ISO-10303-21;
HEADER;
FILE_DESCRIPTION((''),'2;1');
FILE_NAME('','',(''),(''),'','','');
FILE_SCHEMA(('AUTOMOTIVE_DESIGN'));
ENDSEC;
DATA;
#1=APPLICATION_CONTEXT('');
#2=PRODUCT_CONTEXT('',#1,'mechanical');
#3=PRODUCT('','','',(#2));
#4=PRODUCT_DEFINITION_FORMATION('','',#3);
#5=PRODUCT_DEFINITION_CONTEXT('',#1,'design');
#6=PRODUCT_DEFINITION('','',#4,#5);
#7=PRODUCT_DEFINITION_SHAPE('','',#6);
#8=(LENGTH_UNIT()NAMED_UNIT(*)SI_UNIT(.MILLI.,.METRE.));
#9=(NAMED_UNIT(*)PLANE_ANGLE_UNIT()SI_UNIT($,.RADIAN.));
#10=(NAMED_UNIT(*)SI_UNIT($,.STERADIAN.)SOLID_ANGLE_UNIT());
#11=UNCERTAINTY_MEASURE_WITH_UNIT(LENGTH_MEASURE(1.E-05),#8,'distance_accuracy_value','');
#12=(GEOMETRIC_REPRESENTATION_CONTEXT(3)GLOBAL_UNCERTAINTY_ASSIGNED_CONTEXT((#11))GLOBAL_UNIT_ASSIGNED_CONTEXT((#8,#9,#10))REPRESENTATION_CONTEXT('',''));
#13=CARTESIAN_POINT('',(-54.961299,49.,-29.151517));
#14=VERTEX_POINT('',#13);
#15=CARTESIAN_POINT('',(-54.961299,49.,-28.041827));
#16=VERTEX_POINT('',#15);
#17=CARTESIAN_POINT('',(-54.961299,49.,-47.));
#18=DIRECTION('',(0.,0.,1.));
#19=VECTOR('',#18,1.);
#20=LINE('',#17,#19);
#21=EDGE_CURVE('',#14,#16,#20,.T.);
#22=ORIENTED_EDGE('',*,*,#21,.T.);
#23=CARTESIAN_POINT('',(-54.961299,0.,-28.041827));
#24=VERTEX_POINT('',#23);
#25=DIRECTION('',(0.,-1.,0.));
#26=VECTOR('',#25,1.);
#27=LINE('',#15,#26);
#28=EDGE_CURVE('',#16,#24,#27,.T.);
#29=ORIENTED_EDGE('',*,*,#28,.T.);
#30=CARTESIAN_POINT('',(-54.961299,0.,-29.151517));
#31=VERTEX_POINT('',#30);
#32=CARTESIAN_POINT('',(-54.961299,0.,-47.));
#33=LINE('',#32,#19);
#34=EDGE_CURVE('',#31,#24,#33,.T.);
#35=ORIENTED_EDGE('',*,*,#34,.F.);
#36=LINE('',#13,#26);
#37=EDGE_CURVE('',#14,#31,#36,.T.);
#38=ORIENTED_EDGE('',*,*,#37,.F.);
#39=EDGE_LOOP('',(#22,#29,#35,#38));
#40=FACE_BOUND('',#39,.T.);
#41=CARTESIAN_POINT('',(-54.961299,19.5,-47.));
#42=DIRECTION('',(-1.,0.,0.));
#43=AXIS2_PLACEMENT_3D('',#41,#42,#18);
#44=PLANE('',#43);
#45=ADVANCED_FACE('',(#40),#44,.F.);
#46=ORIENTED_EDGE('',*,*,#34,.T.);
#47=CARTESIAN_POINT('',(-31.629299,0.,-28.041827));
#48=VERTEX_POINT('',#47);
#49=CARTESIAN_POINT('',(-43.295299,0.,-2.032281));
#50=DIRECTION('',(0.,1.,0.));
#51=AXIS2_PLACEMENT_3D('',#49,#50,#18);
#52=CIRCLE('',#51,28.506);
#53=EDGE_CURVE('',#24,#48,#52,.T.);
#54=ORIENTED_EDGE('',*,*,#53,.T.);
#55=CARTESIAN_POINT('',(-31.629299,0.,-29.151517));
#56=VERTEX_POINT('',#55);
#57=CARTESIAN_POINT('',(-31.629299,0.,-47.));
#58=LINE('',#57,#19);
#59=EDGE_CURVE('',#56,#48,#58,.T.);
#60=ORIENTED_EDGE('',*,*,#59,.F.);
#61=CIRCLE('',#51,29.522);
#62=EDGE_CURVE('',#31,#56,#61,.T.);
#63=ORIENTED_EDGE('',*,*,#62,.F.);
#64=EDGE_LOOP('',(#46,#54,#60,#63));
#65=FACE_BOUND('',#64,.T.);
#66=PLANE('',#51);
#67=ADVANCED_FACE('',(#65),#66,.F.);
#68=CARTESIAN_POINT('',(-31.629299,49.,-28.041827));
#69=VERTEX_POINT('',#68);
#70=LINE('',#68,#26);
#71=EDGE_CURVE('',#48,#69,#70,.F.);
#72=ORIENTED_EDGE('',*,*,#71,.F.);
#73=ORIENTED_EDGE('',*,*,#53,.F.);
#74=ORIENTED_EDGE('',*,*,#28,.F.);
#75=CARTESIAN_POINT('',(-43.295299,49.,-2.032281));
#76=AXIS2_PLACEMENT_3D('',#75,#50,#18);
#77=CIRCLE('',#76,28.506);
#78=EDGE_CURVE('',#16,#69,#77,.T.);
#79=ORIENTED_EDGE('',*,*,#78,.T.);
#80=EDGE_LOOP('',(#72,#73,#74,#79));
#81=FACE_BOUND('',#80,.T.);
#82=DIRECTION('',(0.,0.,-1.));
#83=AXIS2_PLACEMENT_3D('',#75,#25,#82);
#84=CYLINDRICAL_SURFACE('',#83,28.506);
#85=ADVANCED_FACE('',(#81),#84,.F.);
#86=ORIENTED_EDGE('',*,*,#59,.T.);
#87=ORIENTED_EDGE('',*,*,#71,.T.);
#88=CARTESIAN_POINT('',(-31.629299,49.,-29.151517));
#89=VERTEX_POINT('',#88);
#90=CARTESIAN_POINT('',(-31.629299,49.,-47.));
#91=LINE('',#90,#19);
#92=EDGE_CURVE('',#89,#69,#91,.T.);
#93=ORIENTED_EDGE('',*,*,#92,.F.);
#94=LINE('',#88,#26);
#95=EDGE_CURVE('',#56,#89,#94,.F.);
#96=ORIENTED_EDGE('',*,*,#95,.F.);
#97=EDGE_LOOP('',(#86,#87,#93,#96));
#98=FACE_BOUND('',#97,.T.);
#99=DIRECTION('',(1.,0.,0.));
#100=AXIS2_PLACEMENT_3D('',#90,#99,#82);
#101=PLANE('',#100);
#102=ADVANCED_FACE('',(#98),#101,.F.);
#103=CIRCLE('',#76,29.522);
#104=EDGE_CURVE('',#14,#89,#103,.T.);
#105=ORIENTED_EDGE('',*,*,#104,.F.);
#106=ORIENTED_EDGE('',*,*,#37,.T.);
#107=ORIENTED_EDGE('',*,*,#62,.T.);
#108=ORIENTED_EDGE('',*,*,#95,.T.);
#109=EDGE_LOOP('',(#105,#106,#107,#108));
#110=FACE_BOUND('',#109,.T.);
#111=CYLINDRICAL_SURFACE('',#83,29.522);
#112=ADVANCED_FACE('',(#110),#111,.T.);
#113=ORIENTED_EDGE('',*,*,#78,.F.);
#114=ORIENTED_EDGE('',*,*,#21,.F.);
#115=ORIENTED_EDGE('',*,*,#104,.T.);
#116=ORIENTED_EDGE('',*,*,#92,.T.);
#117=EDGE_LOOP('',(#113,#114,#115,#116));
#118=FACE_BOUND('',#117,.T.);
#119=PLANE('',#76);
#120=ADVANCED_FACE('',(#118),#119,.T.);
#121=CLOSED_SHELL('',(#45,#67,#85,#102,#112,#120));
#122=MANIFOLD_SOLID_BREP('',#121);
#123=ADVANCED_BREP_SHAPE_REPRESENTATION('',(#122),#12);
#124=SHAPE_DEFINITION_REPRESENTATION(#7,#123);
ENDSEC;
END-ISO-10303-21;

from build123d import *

# Parameters (mm, degrees)
SKETCH1_R           = 29.522
SKETCH1_R_2         = 28.506
BOSS_EXTRUDE1_DEPTH = 49
CUT_EXTRUDE1_DEPTH  = 47


with BuildPart() as part:
    # Sketch1 → Boss-Extrude1 (new body)
    with BuildSketch(Plane(origin=(0, 0, 0), x_dir=(1, 0, 0), z_dir=(0, 1, 0))):
        with Locations(Location((-43.29529893, 2.032281285, 0), (0, 0, 270))):
            Circle(SKETCH1_R)
        with Locations(Location((-43.29529893, 2.032281285, 0), (0, 0, 270))):
            Circle(SKETCH1_R_2, mode=Mode.SUBTRACT)
    extrude(amount=BOSS_EXTRUDE1_DEPTH)

    # Sketch2 → Cut-Extrude1 (cut)
    with BuildSketch(Plane.XY):
        Polygon((-54.96129893, 19.5), (-54.96129893, 49), (-31.62929893, 49), (-31.62929893, 19.5), (-31.62929893, 0), (-54.96129893, 0), align=None)
    extrude(amount=-CUT_EXTRUDE1_DEPTH, mode=Mode.SUBTRACT)


solid = part.part
